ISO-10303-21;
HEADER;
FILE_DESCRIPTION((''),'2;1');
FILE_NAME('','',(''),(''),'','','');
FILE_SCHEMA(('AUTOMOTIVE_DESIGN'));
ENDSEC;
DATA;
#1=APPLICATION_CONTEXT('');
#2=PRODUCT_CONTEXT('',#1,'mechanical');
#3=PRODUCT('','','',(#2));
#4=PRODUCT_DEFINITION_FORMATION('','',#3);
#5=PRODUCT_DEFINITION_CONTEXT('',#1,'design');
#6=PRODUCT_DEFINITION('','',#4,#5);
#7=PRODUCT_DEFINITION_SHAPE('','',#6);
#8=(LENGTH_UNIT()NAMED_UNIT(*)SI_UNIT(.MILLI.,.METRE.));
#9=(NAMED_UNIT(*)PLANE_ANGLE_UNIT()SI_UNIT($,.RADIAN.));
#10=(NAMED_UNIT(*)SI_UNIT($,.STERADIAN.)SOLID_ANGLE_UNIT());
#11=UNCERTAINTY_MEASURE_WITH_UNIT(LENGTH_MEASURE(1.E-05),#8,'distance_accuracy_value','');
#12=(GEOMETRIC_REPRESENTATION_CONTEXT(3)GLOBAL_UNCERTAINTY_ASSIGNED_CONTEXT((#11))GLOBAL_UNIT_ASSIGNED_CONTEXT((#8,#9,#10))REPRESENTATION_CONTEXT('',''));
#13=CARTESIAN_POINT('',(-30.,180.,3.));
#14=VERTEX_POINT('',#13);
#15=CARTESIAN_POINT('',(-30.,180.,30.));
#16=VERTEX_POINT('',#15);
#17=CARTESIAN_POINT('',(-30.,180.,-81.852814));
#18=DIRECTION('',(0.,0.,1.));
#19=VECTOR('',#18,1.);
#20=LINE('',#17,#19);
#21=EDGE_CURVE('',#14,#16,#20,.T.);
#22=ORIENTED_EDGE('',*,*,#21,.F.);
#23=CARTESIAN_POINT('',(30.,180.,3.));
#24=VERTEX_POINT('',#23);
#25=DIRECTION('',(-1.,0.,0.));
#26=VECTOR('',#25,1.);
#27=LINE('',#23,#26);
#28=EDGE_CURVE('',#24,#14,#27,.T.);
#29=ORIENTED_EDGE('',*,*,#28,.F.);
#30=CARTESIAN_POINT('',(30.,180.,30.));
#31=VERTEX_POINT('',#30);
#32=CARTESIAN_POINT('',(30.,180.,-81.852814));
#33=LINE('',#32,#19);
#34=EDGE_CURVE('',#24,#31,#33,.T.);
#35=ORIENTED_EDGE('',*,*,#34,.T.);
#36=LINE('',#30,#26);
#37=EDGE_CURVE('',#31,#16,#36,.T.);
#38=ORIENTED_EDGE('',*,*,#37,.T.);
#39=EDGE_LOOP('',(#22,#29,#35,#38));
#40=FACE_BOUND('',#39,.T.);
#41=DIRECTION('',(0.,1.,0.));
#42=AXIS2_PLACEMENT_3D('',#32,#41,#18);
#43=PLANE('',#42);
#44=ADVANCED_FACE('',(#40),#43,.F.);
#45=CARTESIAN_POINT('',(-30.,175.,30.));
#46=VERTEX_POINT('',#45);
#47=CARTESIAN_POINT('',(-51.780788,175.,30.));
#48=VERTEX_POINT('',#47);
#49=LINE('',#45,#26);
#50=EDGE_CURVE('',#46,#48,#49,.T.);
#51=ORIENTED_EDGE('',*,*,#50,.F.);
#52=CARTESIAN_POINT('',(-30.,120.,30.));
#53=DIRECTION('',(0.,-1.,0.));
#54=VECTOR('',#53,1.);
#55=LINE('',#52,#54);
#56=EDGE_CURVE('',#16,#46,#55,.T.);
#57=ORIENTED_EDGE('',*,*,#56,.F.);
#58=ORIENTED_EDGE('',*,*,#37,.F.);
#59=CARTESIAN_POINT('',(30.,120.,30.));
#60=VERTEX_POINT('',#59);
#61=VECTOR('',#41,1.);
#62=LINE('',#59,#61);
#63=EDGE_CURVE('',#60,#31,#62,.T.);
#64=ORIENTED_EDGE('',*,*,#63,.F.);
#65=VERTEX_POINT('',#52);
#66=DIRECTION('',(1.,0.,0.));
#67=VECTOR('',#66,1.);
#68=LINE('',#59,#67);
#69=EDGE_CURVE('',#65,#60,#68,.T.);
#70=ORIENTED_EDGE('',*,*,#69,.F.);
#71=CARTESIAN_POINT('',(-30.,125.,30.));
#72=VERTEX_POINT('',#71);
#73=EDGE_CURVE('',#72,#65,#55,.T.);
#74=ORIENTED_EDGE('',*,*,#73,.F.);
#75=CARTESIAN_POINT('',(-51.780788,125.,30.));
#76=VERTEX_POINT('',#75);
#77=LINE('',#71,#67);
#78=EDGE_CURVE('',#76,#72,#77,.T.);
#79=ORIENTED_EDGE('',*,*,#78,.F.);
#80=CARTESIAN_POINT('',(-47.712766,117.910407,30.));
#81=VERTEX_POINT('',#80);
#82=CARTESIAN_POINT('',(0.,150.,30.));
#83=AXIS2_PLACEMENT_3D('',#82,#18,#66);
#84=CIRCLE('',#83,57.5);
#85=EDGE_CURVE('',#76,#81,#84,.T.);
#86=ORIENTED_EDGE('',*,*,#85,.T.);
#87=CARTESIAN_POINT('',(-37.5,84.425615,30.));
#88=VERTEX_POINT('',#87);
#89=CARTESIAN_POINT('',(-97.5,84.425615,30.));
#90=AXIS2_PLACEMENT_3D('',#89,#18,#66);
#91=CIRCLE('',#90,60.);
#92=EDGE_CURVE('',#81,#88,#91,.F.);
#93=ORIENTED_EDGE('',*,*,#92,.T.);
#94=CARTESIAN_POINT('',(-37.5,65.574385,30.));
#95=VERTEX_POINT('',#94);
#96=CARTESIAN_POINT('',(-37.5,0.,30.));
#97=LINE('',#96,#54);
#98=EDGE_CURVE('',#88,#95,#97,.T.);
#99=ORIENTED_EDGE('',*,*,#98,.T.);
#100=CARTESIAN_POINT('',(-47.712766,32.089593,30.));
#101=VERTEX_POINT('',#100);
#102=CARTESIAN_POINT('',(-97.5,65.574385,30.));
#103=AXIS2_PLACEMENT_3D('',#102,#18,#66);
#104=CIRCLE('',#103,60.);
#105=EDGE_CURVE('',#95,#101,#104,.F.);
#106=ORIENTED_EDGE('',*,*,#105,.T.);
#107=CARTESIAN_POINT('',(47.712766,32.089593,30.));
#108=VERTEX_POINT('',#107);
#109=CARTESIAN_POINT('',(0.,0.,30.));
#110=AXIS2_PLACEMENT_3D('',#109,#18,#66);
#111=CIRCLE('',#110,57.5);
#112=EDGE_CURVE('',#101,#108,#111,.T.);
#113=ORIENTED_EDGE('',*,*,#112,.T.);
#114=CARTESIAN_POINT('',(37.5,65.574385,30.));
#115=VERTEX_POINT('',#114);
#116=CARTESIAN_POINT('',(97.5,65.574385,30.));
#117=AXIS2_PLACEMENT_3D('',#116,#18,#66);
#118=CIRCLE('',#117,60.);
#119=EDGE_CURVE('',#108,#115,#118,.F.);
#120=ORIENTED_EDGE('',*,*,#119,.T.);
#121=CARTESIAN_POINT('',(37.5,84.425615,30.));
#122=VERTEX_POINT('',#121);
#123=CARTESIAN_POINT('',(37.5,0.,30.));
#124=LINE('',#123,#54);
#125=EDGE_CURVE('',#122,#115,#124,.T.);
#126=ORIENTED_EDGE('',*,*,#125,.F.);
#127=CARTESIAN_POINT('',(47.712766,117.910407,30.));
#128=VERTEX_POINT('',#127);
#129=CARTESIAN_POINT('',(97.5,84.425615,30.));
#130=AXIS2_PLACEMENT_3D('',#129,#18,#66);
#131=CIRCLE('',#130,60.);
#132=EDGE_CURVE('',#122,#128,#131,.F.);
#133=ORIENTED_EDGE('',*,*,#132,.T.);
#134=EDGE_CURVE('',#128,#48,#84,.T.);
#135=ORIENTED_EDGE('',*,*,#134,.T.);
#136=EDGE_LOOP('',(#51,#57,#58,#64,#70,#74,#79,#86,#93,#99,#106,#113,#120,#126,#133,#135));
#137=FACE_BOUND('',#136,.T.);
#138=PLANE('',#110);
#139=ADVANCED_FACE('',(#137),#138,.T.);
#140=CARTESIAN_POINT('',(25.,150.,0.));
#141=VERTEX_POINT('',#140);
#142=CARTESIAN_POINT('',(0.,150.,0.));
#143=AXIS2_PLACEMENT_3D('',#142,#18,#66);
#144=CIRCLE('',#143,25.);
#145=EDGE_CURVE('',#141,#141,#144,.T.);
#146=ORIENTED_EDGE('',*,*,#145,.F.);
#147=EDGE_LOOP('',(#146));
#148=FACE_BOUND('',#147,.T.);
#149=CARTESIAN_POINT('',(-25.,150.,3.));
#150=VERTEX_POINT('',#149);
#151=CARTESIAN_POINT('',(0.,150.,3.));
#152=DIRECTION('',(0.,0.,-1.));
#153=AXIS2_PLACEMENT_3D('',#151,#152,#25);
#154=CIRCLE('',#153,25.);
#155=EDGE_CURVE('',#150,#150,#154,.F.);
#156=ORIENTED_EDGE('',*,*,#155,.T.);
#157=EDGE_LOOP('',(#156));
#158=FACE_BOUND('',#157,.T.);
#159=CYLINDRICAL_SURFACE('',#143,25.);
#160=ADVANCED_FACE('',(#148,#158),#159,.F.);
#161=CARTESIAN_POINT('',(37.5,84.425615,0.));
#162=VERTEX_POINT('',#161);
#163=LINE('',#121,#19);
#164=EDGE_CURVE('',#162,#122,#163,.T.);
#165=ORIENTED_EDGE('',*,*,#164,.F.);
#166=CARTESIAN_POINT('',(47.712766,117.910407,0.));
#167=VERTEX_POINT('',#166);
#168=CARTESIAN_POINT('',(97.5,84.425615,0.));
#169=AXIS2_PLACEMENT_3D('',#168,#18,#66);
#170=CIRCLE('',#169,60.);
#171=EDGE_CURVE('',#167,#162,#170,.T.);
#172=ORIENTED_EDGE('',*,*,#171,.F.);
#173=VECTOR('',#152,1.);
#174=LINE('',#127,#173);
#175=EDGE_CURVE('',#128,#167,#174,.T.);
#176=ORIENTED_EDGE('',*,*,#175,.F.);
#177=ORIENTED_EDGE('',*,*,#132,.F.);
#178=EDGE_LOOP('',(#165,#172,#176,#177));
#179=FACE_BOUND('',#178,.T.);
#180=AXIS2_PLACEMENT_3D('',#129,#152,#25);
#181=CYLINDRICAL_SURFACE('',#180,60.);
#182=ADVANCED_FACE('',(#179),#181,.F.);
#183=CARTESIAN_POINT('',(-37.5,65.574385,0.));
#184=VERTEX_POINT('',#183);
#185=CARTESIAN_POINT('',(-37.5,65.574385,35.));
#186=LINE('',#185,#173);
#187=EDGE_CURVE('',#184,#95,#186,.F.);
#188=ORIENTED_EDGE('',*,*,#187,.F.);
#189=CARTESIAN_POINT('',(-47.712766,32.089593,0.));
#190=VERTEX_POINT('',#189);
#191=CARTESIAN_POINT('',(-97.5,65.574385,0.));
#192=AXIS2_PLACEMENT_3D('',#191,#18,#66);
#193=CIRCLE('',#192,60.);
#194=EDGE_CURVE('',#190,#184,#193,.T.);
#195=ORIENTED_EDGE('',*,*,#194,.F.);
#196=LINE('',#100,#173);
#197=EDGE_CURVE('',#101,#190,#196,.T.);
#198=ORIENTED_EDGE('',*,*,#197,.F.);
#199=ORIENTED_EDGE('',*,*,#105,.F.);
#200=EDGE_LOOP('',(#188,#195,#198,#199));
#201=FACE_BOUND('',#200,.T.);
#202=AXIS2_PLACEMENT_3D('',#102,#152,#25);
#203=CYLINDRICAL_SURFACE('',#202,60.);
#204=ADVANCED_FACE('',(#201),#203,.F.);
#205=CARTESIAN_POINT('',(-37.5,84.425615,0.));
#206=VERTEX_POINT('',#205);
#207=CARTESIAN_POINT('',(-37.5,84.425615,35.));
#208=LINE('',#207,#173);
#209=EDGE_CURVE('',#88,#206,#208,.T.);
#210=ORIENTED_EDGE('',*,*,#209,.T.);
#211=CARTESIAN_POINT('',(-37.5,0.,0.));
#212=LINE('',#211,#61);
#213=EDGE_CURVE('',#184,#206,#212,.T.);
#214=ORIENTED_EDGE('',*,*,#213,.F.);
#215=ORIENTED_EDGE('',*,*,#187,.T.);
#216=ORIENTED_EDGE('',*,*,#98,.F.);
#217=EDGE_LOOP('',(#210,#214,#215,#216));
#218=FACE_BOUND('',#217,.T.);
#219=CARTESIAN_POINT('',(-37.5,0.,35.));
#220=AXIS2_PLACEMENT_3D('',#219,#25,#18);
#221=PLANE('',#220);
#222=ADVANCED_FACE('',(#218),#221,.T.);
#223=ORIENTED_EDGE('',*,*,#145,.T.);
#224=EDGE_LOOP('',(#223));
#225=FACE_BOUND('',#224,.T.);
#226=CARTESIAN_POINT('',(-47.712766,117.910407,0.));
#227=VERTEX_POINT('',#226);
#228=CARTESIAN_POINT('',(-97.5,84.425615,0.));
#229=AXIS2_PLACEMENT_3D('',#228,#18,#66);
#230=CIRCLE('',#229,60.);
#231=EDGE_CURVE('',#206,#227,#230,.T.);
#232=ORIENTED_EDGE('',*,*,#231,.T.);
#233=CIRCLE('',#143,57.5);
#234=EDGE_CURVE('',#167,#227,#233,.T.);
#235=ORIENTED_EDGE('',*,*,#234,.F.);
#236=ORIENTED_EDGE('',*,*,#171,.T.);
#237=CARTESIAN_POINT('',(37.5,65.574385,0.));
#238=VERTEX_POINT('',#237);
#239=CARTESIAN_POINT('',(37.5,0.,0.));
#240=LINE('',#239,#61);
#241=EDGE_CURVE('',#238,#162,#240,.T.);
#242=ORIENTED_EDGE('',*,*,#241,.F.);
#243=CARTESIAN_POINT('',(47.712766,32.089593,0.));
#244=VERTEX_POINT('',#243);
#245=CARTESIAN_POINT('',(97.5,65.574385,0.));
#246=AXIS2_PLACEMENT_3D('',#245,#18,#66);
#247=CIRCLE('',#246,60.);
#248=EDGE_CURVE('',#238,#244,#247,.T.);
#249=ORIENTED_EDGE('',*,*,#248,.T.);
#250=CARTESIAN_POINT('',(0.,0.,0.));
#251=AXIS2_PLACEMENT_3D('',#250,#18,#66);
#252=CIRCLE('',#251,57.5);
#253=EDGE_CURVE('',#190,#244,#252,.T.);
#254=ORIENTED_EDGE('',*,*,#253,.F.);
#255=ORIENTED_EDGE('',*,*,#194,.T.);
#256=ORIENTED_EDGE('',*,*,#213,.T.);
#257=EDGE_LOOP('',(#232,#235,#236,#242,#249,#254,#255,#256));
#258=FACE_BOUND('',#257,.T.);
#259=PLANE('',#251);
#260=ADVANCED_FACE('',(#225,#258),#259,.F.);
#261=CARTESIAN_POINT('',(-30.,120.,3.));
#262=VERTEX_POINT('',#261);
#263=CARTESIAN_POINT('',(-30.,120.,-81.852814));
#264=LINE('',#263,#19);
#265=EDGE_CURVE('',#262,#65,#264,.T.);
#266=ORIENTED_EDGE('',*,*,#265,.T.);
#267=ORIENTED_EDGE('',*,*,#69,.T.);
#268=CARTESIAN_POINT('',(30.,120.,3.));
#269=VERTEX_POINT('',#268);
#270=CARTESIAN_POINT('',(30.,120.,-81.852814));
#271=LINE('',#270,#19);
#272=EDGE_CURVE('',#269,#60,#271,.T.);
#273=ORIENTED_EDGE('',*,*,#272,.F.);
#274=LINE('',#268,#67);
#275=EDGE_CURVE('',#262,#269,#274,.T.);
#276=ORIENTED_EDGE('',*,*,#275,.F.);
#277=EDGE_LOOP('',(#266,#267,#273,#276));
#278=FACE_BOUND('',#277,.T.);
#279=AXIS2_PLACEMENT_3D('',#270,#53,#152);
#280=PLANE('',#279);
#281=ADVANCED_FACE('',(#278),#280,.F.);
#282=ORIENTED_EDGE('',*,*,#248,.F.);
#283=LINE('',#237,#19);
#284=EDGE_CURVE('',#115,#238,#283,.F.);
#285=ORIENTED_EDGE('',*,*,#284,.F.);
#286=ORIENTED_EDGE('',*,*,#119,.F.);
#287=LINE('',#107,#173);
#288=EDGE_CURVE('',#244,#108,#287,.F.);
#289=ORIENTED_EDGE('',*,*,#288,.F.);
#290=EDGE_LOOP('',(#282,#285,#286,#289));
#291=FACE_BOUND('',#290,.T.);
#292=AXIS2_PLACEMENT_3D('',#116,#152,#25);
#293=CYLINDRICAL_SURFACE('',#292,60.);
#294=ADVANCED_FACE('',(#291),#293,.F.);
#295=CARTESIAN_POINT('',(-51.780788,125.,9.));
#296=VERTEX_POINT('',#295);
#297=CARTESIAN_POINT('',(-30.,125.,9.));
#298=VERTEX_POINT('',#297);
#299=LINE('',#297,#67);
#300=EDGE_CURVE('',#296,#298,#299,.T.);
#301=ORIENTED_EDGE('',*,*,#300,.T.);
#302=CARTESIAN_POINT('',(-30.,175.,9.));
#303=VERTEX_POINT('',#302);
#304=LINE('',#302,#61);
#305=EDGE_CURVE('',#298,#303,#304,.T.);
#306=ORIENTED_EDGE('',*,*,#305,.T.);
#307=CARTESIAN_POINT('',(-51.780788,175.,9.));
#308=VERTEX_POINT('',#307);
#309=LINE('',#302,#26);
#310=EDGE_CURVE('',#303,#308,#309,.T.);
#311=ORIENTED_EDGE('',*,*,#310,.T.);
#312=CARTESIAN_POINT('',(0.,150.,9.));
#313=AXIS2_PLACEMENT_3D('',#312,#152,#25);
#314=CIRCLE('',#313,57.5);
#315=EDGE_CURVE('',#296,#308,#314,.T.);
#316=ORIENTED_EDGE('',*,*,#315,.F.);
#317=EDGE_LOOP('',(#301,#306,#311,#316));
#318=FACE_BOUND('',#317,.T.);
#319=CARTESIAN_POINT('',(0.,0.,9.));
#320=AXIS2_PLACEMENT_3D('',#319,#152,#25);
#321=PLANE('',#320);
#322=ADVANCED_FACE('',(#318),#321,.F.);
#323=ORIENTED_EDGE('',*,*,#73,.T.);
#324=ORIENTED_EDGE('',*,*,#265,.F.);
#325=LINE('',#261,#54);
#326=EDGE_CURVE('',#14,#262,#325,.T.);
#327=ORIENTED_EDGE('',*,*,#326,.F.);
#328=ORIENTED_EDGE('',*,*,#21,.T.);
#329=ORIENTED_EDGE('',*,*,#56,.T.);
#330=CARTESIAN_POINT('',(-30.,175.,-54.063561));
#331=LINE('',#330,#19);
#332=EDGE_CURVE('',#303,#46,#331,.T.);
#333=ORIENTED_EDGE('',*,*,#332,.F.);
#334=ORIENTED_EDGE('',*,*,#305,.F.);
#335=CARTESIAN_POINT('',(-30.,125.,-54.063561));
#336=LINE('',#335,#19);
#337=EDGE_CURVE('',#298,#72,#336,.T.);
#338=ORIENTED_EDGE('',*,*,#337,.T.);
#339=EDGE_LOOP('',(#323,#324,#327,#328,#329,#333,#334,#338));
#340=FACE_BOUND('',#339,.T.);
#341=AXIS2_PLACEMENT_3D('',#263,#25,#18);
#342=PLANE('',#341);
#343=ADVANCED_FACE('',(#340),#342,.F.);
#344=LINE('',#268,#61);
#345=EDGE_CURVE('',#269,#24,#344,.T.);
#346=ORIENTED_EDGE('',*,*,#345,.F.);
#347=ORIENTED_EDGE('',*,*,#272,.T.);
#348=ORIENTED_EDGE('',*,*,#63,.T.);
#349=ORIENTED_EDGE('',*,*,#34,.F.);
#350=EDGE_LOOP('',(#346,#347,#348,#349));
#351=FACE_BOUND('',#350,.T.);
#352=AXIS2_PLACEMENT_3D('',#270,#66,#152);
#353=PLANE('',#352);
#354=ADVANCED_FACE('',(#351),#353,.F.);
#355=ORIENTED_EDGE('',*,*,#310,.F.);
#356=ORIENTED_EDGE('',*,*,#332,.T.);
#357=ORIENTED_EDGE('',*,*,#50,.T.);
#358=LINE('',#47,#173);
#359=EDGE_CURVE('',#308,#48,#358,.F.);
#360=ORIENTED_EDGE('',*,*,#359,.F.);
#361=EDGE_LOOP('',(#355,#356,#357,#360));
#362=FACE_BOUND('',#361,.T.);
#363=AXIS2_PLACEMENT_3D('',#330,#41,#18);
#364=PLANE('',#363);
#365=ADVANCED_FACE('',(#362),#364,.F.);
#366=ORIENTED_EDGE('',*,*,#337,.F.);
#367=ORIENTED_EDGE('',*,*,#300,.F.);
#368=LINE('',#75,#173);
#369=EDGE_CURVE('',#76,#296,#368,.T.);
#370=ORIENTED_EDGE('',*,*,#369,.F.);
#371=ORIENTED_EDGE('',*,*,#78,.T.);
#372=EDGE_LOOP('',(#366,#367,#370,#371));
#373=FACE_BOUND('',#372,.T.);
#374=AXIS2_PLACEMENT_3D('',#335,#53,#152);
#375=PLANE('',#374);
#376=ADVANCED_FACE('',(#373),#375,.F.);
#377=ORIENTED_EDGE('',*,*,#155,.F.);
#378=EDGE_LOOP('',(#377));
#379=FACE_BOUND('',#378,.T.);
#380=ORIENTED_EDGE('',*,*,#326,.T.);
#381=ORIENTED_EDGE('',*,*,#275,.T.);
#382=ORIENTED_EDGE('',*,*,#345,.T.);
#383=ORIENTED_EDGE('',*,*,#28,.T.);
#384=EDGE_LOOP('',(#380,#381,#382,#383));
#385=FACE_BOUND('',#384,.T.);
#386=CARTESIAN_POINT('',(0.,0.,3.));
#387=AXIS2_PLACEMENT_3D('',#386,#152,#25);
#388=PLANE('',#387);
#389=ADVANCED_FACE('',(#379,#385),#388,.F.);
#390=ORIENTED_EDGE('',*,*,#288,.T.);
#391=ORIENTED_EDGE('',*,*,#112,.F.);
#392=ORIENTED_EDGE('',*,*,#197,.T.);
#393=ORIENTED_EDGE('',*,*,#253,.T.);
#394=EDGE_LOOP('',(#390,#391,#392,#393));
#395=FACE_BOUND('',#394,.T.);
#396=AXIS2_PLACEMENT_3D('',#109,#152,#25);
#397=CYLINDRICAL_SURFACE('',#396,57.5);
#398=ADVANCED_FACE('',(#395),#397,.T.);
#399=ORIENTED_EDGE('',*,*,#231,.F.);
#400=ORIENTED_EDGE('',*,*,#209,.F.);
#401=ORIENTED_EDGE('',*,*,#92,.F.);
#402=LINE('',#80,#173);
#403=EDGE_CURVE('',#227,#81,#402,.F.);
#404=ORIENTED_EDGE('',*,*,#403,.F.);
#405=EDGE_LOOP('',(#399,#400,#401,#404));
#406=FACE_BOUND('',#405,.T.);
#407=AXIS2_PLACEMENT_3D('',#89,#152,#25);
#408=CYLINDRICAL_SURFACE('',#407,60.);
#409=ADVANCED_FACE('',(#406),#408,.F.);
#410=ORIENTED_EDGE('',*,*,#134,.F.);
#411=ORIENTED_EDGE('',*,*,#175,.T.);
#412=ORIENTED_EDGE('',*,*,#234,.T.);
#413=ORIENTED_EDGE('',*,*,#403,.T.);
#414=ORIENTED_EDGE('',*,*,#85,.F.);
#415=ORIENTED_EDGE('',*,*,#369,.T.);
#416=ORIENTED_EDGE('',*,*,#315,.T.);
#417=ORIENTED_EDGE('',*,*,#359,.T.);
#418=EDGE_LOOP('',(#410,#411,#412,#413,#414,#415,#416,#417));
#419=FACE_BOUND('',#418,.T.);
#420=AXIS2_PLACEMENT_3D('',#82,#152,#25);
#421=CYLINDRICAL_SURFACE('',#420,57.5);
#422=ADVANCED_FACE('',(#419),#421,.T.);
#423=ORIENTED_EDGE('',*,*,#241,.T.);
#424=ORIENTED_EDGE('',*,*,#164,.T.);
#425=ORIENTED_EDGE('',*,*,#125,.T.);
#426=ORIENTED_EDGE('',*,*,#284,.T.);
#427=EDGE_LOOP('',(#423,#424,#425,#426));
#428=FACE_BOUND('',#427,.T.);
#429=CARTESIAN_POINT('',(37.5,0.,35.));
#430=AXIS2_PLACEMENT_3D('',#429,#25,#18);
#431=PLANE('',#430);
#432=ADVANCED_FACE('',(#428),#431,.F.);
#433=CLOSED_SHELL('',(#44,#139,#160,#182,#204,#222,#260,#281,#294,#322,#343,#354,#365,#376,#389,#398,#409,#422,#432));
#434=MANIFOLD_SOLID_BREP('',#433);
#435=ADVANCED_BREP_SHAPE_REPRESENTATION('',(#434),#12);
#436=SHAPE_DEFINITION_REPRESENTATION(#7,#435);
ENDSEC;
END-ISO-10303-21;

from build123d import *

# Parameters (mm, degrees)
BOSS_EXTRUDE1_DEPTH = 30
CUT_EXTRUDE1_DEPTH  = 35
FILLET1_R           = 60
SKETCH6_R           = 25
CUT_EXTRUDE2_DEPTH  = 31
CUT_EXTRUDE3_START  = -27
SKETCH7_W           = 60
SKETCH7_H           = 60
CUT_EXTRUDE3_DEPTH  = 27
SKETCH8_W           = 27.5
SKETCH8_H           = 50
CUT_EXTRUDE4_DEPTH  = 21


with BuildPart() as part:
    # Sketch3 → Boss-Extrude1 (new body)
    with BuildSketch(Plane.XY):
        with BuildLine():
            Line((-57.5, 0), (-57.5, 150))
            ThreePointArc((-57.5, 150), (0, 207.5), (57.5, 150))
            Line((57.5, 150), (57.5, 0))
            ThreePointArc((57.5, 0), (0, -57.5), (-57.5, 0))
        make_face()
    extrude(amount=BOSS_EXTRUDE1_DEPTH)

    # Sketch4 → Cut-Extrude1 (cut)
    with BuildSketch(Plane(origin=(0, 0, 0), x_dir=(-1, 0, 0), z_dir=(0, 0, -1))):
        with BuildLine():
            ThreePointArc((-57.5, 150), (-52.261362401, 126.020842383), (-37.5, 106.411010565))
            Line((-37.5, 106.411010565), (-37.5, 43.588989435))
            ThreePointArc((-37.5, 43.588989435), (-52.261362401, 23.979157617), (-57.5, 0))
            Line((-57.5, 0), (-57.5, 150))
        make_face()
        with BuildLine():
            ThreePointArc((57.5, 0), (52.261362401, 23.979157617), (37.5, 43.588989435))
            Line((37.5, 43.588989435), (37.5, 106.411010565))
            ThreePointArc((37.5, 106.411010565), (52.261362401, 126.020842383), (57.5, 150))
            Line((57.5, 150), (57.5, 0))
        make_face()
    extrude(amount=-CUT_EXTRUDE1_DEPTH, mode=Mode.SUBTRACT)

    # Fillet1
    fillet1_edges = [part.edges().sort_by_distance(p)[0] for p in [
        (37.5, 106.411010565, 15),
        (37.5, 43.588989435, 15),
        (-37.5, 43.588989435, 15),
        (-37.5, 106.411010565, 15),
    ]]
    fillet(fillet1_edges, radius=FILLET1_R)

    # Sketch6 → Cut-Extrude2 (cut, through all)
    with BuildSketch(Plane.XY.offset(30)):
        with Locations((0, 150)):
            Circle(SKETCH6_R)
    extrude(amount=-CUT_EXTRUDE2_DEPTH, mode=Mode.SUBTRACT)

    # Sketch7 → Cut-Extrude3 (cut)
    with BuildSketch(Plane.XY.offset(30).offset(CUT_EXTRUDE3_START)):
        with Locations((0, 150)):
            Rectangle(SKETCH7_W, SKETCH7_H)
    extrude(amount=CUT_EXTRUDE3_DEPTH, mode=Mode.SUBTRACT)

    # Sketch8 → Cut-Extrude4 (cut)
    with BuildSketch(Plane.XY.offset(30)):
        with Locations((-43.75, 150)):
            Rectangle(SKETCH8_W, SKETCH8_H)
    extrude(amount=-CUT_EXTRUDE4_DEPTH, mode=Mode.SUBTRACT)


solid = part.part
